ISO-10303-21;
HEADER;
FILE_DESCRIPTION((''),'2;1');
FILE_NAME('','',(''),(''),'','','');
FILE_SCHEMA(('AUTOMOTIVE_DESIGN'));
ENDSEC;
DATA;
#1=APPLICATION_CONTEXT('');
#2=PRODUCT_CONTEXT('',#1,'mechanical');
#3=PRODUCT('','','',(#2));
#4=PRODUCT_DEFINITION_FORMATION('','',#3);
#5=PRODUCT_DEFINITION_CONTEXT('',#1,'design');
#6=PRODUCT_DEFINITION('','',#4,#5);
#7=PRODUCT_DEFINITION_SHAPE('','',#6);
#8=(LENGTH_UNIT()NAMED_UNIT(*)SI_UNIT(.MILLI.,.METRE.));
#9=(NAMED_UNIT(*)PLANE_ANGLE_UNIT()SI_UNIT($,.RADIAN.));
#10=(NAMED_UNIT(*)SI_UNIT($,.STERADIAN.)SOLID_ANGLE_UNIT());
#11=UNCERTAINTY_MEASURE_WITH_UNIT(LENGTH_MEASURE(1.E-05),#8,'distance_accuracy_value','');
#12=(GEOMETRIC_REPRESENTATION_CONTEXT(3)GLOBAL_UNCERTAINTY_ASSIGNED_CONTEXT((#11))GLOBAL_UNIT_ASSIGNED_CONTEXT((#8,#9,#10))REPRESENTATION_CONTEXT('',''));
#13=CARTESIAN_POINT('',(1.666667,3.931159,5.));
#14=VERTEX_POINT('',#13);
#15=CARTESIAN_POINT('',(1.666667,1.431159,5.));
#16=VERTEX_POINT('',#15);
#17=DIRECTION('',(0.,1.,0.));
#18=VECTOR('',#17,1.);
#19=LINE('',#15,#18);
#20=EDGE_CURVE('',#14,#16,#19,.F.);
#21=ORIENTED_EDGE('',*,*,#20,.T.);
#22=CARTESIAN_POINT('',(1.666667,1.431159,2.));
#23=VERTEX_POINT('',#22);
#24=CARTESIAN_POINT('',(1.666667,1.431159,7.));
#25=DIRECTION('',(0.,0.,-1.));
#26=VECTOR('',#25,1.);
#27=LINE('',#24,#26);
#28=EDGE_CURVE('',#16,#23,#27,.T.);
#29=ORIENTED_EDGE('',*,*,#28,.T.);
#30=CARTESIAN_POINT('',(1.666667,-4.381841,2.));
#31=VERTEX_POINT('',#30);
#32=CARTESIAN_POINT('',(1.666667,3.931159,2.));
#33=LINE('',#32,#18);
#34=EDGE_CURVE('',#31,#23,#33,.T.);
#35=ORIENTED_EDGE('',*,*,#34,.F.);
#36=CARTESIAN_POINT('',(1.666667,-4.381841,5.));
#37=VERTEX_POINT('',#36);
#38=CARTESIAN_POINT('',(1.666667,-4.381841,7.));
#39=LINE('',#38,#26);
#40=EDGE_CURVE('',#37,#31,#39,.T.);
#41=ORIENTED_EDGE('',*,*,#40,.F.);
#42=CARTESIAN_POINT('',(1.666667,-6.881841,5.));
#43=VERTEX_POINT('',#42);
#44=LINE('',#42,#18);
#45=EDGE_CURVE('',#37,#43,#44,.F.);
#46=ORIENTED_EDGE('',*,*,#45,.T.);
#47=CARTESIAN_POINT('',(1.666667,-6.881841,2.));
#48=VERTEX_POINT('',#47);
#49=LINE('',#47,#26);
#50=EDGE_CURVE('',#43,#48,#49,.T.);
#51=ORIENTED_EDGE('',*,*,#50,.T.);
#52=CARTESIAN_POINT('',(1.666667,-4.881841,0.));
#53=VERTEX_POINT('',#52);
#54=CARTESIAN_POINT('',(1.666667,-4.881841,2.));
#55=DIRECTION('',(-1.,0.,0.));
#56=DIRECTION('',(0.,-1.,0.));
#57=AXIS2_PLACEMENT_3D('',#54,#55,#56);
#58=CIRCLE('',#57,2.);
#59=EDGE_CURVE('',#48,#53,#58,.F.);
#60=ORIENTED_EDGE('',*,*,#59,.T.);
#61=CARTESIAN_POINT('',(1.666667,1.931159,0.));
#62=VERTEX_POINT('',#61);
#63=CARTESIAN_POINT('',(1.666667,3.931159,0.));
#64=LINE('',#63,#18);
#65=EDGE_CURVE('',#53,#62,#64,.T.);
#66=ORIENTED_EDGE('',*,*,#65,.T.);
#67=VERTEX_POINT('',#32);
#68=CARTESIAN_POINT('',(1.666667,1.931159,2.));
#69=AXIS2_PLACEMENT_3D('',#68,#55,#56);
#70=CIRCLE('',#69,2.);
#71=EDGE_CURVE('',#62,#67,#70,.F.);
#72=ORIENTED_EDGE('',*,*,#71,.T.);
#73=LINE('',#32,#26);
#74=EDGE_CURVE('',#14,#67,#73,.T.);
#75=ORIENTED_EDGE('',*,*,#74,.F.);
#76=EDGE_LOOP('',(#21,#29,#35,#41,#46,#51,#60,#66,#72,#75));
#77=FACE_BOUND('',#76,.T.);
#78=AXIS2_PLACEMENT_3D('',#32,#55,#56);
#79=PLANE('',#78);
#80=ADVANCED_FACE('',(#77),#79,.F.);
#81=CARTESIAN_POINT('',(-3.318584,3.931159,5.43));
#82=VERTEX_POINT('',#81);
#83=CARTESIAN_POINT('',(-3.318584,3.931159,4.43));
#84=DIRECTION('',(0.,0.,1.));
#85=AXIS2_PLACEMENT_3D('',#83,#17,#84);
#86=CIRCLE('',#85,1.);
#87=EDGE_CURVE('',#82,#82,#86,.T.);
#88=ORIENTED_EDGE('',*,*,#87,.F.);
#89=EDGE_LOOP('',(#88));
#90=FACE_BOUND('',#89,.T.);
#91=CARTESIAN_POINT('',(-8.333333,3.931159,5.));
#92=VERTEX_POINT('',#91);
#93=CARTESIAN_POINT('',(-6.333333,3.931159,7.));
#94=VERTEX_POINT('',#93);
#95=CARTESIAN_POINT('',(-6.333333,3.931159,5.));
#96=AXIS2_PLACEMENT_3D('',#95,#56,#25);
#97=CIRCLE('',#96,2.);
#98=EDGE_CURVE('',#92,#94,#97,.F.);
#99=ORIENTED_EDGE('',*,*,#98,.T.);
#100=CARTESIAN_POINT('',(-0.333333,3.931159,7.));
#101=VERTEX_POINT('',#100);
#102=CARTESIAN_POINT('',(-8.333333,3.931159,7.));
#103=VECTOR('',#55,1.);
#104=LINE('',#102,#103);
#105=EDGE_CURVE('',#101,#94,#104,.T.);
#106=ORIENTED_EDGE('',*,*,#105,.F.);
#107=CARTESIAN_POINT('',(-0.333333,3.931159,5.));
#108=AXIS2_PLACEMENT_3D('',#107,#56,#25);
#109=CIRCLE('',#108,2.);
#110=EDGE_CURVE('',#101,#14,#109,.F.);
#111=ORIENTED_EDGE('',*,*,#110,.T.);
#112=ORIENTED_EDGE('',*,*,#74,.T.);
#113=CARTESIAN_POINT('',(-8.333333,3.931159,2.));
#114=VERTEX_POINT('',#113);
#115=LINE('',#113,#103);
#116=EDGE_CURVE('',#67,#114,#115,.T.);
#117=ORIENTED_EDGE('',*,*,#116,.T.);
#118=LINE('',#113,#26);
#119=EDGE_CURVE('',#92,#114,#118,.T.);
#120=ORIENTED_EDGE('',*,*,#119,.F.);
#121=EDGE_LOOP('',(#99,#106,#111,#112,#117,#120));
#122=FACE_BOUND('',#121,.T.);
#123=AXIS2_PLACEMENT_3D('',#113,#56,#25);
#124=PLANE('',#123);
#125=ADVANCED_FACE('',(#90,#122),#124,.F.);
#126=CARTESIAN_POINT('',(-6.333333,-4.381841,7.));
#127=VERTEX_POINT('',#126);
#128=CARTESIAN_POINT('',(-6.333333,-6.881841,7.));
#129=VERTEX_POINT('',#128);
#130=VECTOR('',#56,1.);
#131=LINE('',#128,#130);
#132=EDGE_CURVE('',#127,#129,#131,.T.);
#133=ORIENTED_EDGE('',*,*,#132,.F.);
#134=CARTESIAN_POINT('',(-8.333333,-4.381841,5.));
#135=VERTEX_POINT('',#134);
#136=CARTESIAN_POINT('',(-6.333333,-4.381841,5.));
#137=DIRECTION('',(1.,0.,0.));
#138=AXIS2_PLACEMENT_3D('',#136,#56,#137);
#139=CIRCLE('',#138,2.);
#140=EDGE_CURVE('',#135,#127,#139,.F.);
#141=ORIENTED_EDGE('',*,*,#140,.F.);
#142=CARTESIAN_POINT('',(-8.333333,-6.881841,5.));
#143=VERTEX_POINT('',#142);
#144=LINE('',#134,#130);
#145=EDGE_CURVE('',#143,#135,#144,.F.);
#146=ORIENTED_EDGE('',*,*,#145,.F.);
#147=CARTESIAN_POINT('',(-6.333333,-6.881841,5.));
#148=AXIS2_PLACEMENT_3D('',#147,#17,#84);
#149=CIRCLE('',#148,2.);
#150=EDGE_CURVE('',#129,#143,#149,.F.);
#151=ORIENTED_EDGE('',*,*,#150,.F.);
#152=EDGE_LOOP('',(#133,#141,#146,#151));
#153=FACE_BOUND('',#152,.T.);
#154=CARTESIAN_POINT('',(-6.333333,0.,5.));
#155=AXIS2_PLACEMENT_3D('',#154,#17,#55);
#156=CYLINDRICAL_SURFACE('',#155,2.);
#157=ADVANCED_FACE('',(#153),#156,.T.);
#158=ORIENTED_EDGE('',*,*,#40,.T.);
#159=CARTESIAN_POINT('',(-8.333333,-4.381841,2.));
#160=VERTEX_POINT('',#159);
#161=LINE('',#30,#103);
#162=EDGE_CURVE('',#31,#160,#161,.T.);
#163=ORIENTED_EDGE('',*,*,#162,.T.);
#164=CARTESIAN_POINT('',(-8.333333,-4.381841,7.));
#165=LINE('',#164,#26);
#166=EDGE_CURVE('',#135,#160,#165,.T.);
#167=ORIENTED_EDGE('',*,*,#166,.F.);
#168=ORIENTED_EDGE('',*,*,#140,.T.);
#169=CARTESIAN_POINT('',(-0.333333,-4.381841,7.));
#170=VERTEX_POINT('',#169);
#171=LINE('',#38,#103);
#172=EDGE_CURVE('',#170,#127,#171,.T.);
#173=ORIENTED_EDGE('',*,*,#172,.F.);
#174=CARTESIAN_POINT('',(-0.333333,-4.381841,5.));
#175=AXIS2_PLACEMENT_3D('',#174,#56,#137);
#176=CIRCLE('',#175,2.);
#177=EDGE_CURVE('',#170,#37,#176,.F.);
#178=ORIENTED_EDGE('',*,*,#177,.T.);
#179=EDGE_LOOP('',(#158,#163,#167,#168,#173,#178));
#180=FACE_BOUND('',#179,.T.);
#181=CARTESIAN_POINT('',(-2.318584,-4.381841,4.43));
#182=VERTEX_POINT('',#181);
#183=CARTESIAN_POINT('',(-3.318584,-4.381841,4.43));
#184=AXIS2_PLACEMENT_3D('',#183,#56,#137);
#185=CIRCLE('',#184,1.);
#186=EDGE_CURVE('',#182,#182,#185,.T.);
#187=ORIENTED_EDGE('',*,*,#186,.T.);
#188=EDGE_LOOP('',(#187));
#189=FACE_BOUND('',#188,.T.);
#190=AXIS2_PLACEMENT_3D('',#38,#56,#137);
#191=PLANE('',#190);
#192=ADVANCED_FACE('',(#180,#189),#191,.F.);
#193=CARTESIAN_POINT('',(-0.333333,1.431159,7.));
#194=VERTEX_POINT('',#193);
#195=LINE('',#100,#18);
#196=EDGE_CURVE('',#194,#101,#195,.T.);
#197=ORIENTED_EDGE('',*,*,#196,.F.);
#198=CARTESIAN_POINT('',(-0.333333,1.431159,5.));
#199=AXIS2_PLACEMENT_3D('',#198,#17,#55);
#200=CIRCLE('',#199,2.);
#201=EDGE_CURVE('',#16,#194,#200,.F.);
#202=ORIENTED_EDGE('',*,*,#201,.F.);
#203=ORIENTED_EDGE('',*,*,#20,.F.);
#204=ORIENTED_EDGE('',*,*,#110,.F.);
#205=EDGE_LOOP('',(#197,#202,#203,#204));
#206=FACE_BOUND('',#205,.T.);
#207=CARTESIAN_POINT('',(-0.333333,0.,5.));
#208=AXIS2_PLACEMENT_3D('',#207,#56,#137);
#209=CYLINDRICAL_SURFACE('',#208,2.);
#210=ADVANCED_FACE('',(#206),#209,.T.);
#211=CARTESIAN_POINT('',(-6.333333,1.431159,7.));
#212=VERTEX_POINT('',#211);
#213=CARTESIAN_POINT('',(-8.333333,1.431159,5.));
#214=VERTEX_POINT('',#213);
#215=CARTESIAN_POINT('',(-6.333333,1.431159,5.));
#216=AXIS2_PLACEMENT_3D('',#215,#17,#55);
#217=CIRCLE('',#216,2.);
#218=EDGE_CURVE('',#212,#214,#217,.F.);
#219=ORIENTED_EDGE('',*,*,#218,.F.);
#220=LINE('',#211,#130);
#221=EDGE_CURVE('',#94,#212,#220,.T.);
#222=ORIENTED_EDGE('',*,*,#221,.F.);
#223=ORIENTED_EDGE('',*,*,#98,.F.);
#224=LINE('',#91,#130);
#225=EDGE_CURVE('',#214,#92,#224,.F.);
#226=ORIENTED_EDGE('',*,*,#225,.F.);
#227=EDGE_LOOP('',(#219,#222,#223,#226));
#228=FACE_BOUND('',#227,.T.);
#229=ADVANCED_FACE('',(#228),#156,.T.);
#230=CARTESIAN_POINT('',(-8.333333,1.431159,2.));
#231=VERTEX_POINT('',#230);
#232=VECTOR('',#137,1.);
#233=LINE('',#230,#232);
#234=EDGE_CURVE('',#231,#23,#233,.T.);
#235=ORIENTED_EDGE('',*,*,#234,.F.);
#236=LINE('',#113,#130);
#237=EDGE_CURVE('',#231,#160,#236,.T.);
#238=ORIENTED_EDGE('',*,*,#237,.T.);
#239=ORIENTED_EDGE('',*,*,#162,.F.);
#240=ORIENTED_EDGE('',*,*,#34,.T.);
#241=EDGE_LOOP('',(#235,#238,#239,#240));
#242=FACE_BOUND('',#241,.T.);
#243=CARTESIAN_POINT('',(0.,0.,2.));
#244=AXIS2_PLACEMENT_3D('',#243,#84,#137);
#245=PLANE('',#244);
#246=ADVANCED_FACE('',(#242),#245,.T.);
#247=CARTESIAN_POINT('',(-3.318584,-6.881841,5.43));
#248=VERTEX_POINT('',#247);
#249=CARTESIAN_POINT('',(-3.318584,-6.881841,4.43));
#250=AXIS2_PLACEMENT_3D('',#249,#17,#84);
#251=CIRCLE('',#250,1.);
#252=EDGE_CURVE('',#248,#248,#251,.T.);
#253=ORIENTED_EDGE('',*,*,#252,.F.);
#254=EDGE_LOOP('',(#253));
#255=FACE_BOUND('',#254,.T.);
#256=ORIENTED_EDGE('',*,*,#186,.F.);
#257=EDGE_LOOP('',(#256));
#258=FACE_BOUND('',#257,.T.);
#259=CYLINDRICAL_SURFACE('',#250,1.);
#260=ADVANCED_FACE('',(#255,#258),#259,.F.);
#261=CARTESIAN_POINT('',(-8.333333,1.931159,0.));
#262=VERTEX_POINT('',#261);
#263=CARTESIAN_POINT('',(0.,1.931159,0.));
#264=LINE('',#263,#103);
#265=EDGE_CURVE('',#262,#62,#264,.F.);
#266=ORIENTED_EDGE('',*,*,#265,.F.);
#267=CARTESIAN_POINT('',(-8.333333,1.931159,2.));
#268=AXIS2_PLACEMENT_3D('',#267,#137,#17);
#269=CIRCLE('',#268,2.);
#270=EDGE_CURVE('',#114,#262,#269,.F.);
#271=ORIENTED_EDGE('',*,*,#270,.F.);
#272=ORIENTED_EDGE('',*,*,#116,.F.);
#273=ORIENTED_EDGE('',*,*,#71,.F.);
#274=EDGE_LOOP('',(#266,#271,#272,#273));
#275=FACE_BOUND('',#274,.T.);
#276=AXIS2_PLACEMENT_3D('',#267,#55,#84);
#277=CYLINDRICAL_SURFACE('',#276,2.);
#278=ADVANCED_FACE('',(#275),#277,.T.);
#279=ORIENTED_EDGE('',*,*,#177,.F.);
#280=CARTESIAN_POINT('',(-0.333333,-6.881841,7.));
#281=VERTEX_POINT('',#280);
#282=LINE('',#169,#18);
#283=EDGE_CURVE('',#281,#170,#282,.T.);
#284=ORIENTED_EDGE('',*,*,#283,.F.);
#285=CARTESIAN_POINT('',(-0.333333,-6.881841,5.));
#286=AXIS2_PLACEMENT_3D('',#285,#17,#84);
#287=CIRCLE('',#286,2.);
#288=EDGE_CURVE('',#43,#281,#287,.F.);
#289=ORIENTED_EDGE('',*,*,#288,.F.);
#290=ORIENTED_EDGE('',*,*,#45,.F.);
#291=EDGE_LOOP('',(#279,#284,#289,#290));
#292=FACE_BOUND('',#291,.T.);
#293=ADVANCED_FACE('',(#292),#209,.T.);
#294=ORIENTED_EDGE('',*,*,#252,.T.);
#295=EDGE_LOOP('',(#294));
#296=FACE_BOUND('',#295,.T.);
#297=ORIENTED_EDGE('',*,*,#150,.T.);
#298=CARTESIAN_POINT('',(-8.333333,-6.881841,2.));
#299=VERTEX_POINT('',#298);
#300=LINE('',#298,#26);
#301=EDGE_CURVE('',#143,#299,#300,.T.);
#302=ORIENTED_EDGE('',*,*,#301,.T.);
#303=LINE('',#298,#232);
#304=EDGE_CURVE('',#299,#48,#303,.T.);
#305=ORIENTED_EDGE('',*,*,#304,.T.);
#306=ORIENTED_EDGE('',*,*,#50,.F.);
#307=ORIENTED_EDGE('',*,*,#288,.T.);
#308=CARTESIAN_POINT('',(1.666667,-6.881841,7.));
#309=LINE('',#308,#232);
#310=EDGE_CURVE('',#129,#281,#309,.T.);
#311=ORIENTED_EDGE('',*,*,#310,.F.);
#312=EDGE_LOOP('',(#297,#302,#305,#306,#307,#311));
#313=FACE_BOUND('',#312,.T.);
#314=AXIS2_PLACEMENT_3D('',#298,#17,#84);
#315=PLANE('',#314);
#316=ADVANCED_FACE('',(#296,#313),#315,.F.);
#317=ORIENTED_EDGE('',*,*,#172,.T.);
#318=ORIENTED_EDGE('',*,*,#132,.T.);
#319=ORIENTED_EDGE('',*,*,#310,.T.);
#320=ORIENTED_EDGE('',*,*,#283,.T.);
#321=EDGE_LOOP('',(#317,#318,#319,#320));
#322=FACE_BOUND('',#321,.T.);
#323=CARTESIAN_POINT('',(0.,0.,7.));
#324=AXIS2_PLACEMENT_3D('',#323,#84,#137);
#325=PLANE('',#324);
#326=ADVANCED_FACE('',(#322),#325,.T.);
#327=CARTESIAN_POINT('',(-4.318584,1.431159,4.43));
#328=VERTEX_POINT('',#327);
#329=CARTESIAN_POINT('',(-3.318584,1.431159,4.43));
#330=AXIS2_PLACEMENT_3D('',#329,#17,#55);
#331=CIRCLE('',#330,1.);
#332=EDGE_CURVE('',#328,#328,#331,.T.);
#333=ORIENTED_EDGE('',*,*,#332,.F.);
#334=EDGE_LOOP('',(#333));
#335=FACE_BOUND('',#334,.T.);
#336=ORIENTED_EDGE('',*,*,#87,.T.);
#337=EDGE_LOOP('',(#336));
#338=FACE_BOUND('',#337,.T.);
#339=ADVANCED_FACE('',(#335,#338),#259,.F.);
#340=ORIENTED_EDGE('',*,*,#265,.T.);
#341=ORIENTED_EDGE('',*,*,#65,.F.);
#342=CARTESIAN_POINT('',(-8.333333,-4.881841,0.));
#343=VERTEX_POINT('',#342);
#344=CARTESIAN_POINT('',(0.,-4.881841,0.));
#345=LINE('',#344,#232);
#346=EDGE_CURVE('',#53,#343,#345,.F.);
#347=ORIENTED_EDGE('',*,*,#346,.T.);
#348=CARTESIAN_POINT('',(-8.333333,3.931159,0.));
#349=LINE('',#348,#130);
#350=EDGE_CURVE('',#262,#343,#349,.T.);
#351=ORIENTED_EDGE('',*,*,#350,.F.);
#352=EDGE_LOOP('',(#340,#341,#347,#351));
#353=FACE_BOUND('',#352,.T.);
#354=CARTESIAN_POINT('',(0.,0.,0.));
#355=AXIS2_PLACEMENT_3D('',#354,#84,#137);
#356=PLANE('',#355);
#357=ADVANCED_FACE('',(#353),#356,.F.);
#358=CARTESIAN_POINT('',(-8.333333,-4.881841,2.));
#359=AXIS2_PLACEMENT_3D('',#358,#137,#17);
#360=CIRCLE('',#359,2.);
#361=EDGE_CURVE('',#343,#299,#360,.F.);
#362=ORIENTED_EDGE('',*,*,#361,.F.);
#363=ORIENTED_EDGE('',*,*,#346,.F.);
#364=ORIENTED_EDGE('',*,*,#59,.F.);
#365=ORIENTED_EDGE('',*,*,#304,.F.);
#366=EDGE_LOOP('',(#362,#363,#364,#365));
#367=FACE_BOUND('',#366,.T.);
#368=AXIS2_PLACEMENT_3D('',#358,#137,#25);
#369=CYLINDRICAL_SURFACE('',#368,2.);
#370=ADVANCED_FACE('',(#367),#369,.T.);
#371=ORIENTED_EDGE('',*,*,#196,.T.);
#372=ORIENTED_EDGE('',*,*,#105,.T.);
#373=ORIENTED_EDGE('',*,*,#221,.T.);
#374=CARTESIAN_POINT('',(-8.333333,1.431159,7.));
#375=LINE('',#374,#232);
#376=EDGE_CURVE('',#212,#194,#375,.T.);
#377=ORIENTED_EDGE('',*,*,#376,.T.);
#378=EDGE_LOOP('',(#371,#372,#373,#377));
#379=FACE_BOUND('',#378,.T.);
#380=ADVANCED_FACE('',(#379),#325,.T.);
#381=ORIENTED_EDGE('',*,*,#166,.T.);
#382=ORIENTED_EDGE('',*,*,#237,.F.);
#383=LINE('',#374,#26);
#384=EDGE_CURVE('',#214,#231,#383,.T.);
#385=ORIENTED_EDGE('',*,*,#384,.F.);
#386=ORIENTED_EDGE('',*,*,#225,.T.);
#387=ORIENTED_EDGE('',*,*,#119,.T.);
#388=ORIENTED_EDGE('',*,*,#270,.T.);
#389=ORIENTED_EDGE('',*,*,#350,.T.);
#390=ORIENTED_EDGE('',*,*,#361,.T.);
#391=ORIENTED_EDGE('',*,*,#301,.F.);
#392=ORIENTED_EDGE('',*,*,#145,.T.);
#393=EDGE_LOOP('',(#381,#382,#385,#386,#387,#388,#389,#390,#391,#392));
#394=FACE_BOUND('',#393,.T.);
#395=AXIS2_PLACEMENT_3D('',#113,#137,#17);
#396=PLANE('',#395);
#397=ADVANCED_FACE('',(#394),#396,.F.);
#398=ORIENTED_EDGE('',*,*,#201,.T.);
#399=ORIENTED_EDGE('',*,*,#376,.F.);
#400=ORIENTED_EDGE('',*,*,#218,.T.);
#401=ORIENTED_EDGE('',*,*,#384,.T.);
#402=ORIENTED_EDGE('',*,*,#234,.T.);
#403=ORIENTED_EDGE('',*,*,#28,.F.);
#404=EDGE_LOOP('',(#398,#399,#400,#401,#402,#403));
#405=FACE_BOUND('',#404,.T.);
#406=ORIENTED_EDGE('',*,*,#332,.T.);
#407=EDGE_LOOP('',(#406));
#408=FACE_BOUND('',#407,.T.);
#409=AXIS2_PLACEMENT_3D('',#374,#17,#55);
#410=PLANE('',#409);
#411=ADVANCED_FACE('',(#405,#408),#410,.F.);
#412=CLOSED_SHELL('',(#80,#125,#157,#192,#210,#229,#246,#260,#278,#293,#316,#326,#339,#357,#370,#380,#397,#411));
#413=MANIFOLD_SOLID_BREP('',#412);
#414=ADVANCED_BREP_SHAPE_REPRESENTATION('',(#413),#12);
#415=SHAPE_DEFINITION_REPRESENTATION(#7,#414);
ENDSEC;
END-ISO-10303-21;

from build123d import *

# Parameters (mm, degrees)
SKETCH1_W           = 10
SKETCH1_H           = 10.813
BOSS_EXTRUDE1_DEPTH = 2
SKETCH2_W           = 10
SKETCH2_H           = 2.5
BOSS_EXTRUDE2_DEPTH = 5
SKETCH3_R           = 1
CUT_EXTRUDE1_DEPTH  = 11.813
FILLET2_R           = 2


with BuildPart() as part:
    # Sketch1 → Boss-Extrude1 (new body)
    with BuildSketch(Plane.XY):
        with Locations((-3.333333333, -1.47534058)):
            Rectangle(SKETCH1_W, SKETCH1_H)
    extrude(amount=BOSS_EXTRUDE1_DEPTH)

    # Sketch2 → Boss-Extrude2 (add)
    with BuildSketch(Plane.XY.offset(2)):
        with Locations((-3.333333333, 2.68115942)):
            Rectangle(SKETCH2_W, SKETCH2_H)
        with Locations((-3.333333333, -5.63184058)):
            Rectangle(SKETCH2_W, SKETCH2_H)
    extrude(amount=BOSS_EXTRUDE2_DEPTH)

    # Sketch3 → Cut-Extrude1 (cut, through all)
    with BuildSketch(Plane(origin=(0, 3.93115942, 0), x_dir=(1, 0, 0), z_dir=(0, 1, 0))):
        with Locations((-3.318584334, -4.43)):
            Circle(SKETCH3_R)
    extrude(amount=-CUT_EXTRUDE1_DEPTH, mode=Mode.SUBTRACT)

    # Fillet2
    fillet2_edges = [part.edges().sort_by_distance(p)[0] for p in [
        (-8.333333333, 2.68115942, 7),
        (1.666666667, 2.68115942, 7),
        (1.666666667, -5.63184058, 7),
        (-8.333333333, -5.63184058, 7),
        (-3.333333333, 3.93115942, 0),
        (-3.333333333, -6.88184058, 0),
    ]]
    fillet(fillet2_edges, radius=FILLET2_R)


solid = part.part
